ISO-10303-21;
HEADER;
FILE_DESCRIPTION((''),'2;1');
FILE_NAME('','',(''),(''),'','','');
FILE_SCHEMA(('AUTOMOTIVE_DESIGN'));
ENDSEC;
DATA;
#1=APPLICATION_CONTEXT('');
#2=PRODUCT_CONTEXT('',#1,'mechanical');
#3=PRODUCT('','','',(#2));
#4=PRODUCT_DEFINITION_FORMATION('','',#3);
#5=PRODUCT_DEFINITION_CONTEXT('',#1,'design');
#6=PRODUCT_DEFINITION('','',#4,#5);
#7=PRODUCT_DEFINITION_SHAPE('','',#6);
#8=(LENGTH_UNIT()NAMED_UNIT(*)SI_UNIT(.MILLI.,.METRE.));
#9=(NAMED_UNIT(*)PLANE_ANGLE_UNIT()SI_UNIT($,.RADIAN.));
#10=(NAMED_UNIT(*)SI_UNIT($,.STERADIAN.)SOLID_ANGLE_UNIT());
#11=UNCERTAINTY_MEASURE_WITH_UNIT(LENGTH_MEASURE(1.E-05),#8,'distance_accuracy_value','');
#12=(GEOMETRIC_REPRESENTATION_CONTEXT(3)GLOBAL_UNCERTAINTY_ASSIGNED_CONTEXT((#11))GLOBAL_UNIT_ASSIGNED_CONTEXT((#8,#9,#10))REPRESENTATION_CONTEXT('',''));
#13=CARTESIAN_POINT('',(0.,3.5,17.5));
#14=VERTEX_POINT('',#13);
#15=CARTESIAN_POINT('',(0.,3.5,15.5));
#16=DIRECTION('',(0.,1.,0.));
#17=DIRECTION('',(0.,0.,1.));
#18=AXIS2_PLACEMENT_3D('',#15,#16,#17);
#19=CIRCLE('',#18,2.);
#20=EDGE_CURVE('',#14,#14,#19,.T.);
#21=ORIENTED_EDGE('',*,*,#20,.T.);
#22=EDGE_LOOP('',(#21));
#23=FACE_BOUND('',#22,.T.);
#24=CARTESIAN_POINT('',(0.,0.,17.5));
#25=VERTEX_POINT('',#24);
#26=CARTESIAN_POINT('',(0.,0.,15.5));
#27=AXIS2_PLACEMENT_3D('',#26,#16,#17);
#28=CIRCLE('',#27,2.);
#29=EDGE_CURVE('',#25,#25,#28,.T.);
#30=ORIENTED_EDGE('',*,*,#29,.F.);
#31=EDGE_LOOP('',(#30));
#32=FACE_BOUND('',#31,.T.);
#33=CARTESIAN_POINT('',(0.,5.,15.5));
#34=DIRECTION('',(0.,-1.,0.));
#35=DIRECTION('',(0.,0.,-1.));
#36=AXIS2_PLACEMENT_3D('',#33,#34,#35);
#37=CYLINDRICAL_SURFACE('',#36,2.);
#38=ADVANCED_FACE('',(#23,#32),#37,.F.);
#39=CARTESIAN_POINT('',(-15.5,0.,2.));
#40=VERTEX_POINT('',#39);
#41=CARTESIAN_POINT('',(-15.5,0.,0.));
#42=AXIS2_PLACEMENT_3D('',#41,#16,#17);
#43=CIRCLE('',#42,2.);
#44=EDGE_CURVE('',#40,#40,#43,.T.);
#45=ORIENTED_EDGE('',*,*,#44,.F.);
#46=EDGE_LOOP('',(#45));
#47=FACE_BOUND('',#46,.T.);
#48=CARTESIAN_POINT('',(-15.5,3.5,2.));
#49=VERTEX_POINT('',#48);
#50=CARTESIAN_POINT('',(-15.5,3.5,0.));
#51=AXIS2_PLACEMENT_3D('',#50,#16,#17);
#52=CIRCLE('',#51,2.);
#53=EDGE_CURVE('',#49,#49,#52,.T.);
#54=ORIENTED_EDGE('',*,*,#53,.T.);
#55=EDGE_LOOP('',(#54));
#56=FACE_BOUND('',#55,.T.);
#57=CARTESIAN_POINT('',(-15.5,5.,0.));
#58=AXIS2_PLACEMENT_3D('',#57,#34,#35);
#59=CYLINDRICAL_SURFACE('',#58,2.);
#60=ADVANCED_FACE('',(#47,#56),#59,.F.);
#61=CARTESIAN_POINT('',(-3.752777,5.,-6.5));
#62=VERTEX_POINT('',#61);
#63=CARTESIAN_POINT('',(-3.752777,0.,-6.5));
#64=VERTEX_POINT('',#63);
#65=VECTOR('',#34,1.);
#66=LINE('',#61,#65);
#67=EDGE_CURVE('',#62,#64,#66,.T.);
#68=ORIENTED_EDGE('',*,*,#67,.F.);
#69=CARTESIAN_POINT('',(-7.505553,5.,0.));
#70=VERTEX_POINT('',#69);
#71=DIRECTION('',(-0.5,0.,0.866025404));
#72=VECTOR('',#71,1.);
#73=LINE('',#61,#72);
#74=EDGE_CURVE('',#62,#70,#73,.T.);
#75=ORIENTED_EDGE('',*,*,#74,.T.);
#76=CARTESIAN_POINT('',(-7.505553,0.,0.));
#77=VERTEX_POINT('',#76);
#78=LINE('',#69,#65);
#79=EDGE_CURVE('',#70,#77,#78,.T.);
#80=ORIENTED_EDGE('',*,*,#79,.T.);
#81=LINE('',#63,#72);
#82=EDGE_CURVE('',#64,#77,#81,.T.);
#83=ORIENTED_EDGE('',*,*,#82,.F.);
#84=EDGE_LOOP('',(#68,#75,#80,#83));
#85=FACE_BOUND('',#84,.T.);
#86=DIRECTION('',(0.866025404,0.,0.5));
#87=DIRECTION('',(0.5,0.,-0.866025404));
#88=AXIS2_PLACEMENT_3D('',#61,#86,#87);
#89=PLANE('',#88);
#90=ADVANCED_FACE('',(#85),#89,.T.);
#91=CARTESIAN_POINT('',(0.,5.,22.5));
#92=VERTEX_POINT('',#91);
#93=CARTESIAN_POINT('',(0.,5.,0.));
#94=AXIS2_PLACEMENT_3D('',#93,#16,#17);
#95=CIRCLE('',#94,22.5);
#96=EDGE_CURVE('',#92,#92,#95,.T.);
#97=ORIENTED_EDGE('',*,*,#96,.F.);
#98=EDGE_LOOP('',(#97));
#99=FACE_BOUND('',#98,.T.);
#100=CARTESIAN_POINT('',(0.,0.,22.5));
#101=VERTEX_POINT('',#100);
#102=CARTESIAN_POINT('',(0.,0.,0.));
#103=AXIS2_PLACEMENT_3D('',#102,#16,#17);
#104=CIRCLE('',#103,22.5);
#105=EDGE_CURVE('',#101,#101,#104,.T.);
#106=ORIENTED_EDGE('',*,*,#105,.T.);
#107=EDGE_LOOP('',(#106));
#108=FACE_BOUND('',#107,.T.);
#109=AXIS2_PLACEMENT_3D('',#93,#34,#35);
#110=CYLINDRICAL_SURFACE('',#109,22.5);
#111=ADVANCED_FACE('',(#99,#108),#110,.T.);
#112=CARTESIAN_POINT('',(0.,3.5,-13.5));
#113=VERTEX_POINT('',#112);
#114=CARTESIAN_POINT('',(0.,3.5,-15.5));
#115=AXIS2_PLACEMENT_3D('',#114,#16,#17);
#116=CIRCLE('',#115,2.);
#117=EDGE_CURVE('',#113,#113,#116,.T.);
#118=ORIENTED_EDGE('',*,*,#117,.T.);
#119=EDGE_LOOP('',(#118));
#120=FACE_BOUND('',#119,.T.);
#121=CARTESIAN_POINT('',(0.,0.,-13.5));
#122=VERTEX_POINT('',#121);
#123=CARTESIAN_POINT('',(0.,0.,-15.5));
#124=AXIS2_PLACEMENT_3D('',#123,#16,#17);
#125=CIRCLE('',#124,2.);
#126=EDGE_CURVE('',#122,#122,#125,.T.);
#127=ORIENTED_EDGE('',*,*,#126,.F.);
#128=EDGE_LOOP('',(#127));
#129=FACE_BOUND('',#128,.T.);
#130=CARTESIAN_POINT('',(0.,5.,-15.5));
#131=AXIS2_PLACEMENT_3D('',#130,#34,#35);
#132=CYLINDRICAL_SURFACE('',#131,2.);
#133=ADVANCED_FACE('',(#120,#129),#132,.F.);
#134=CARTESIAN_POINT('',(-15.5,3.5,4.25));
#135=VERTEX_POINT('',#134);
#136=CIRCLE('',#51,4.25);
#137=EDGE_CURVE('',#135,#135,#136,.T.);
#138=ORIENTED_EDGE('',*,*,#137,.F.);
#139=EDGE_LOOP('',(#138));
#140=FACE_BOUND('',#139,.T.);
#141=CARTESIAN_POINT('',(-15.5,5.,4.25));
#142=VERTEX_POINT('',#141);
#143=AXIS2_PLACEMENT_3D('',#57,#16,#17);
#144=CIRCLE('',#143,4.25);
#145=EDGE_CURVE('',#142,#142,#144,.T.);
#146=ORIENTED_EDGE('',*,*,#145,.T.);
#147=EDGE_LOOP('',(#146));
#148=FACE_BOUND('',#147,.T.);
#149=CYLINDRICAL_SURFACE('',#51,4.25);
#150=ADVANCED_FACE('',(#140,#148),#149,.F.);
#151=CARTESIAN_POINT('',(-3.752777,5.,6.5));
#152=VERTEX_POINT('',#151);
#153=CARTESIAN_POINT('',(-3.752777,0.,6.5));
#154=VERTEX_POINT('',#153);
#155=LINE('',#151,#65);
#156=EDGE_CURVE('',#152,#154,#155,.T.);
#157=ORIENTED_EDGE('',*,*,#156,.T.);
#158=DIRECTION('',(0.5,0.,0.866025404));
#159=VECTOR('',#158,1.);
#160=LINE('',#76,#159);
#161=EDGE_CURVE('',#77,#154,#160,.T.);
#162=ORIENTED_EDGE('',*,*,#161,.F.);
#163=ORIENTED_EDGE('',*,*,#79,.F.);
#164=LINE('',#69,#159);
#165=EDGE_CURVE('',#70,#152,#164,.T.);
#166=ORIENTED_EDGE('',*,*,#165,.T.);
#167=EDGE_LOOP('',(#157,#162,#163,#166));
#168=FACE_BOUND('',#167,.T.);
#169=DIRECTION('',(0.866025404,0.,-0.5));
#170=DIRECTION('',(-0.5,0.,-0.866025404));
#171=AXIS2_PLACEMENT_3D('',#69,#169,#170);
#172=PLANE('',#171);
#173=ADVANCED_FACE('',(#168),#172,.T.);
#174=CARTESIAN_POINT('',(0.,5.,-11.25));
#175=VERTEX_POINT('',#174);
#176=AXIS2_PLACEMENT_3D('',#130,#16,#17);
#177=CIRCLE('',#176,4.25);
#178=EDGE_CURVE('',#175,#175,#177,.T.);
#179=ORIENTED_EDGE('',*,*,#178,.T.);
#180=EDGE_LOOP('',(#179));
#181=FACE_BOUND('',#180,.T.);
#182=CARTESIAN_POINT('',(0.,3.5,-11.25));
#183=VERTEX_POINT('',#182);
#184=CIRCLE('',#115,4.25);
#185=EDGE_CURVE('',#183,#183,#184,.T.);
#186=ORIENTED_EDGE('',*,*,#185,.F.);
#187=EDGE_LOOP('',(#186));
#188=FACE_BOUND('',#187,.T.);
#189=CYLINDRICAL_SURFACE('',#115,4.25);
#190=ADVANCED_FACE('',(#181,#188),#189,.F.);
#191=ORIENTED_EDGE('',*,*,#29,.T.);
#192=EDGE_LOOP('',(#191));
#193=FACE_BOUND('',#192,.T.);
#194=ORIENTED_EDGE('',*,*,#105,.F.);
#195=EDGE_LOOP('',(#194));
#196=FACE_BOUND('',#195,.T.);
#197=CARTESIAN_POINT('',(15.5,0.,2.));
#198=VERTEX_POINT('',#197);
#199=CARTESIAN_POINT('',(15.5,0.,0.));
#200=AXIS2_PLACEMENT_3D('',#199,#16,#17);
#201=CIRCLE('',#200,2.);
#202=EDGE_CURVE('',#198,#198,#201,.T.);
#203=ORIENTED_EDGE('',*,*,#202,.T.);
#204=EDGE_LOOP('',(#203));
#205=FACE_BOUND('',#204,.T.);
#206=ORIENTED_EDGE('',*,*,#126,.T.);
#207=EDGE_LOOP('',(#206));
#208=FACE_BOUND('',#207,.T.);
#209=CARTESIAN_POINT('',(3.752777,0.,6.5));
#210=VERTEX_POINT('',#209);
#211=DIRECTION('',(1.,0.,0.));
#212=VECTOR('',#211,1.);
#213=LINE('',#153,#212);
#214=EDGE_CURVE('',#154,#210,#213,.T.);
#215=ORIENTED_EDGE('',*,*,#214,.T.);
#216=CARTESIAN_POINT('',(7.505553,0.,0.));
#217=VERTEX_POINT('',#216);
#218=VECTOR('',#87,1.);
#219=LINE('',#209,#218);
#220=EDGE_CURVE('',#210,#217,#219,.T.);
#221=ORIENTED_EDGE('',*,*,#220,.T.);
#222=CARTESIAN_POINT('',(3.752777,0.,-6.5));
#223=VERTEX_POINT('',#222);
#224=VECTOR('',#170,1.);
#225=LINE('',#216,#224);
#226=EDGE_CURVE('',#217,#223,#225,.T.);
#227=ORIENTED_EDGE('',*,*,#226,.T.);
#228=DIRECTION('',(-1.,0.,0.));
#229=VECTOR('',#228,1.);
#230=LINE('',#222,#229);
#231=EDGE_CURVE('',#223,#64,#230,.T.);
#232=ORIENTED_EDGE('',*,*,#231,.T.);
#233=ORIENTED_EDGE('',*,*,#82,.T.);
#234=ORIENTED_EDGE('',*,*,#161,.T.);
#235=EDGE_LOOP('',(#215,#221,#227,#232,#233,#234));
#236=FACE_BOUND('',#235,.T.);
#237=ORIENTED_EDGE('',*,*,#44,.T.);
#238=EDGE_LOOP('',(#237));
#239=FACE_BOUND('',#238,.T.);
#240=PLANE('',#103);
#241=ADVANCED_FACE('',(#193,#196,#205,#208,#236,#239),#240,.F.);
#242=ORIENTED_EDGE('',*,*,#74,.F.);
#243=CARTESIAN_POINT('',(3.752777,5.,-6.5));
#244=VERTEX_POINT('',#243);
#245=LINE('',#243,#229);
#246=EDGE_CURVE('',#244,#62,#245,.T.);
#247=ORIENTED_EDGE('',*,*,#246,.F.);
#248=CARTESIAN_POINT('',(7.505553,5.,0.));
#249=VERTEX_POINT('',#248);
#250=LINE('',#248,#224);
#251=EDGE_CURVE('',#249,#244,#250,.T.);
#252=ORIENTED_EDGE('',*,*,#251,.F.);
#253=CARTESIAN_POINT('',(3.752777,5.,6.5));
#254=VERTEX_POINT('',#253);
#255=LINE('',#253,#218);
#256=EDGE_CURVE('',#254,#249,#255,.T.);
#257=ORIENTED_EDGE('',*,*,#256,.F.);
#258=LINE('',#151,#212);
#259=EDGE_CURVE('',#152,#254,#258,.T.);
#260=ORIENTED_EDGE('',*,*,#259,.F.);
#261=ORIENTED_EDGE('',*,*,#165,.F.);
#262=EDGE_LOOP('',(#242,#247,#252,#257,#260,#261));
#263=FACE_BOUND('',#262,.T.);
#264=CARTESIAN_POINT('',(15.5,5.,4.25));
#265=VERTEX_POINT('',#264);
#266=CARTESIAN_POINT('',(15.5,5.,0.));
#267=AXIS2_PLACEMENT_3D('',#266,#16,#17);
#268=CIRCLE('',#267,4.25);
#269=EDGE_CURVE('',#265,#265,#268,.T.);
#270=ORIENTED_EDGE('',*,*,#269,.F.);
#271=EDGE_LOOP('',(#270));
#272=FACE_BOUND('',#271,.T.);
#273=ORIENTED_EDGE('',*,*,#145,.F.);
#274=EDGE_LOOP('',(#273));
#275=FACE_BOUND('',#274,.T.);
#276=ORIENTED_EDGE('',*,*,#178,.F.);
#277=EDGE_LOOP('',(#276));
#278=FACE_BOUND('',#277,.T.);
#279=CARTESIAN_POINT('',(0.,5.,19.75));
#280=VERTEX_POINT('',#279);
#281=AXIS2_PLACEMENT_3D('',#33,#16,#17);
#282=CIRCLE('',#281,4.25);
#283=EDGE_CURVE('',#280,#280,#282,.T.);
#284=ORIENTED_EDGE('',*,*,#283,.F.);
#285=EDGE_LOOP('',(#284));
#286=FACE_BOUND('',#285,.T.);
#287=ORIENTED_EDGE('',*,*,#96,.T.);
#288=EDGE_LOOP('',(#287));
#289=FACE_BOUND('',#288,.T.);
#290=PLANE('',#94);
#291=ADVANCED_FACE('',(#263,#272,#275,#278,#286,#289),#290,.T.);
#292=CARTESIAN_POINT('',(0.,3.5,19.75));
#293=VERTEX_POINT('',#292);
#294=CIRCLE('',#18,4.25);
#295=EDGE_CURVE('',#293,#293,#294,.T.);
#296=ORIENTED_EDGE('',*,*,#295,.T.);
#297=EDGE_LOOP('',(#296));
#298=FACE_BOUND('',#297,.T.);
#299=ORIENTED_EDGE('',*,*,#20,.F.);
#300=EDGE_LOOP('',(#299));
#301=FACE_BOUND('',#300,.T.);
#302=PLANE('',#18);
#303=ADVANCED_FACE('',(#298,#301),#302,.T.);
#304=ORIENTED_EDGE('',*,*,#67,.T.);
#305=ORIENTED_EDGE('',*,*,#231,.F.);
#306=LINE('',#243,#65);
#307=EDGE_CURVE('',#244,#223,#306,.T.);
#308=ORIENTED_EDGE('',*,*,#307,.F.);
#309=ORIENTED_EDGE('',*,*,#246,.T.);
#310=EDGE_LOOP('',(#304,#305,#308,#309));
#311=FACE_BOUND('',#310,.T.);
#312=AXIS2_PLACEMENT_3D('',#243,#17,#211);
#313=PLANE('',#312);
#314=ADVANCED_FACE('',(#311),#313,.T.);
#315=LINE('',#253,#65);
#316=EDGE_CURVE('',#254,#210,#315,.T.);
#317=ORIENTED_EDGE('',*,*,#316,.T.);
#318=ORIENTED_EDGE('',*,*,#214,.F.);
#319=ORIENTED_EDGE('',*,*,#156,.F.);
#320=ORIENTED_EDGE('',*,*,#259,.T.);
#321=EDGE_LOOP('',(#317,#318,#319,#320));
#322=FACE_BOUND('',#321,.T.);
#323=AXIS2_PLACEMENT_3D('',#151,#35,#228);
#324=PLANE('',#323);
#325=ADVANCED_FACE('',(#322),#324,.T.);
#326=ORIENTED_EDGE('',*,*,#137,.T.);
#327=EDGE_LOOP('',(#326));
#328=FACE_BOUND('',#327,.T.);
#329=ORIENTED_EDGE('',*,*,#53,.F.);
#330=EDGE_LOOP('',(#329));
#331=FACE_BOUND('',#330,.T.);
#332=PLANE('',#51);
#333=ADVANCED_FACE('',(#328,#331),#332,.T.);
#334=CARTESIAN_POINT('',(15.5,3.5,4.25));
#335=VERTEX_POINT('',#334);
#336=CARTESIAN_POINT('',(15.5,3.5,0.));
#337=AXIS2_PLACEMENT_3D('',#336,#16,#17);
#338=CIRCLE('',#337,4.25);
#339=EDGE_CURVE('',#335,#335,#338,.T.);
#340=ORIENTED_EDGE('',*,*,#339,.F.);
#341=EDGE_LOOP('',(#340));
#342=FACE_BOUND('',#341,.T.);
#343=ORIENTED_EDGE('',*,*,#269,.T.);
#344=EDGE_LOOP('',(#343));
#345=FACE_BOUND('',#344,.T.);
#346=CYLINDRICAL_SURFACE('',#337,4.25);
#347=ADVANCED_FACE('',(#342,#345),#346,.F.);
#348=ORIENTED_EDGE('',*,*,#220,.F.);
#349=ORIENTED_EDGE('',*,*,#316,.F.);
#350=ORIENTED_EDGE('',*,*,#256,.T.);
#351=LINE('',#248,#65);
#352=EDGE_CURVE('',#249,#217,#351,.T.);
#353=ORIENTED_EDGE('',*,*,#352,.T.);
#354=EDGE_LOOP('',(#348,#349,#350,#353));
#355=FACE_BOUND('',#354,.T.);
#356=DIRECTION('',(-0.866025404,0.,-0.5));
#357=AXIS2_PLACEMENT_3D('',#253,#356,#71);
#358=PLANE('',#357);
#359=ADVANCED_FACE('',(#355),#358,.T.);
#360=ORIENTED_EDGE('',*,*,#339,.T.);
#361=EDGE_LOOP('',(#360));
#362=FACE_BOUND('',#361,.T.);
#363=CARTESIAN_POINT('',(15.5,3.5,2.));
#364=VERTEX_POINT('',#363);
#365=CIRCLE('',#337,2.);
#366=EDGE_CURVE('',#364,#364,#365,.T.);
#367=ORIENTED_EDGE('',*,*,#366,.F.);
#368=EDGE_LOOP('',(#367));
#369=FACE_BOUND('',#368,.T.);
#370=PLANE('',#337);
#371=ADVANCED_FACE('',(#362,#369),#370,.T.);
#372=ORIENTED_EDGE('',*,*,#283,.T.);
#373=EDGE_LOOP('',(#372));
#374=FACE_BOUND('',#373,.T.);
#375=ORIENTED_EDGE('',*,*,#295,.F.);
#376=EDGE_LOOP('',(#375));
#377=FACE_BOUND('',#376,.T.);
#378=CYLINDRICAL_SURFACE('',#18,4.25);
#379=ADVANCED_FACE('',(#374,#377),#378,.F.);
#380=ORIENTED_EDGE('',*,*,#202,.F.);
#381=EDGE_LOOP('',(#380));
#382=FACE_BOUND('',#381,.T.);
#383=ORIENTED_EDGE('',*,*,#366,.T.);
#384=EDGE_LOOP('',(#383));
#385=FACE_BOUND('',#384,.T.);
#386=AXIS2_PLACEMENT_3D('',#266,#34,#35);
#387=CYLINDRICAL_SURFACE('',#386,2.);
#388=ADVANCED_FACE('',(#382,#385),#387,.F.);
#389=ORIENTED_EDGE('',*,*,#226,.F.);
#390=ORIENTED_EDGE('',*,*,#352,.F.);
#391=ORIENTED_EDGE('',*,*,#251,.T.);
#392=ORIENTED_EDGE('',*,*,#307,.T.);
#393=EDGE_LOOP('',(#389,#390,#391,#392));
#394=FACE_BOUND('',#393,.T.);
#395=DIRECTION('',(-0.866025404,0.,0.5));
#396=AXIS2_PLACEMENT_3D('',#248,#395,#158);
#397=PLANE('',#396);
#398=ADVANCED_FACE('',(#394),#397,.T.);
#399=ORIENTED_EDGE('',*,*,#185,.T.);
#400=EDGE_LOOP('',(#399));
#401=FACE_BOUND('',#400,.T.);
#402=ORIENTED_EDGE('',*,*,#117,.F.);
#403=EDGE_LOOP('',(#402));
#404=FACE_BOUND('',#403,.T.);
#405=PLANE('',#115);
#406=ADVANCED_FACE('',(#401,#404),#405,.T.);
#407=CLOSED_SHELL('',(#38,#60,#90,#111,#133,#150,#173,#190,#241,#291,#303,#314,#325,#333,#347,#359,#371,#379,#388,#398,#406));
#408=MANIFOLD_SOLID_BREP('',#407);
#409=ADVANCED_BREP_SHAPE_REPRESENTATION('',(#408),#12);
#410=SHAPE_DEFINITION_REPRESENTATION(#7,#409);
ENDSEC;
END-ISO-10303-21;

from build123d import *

# Parameters (mm, degrees)
SKETCH1_R           = 22.5
SKETCH1_R_2         = 2
BOSS_EXTRUDE1_DEPTH = 5
SKETCH2_R           = 4.25
CUT_EXTRUDE1_DEPTH  = 1.5


with BuildPart() as part:
    # Sketch1 → Boss-Extrude1 (new body)
    with BuildSketch(Plane(origin=(0, 0, 0), x_dir=(1, 0, 0), z_dir=(0, 1, 0))):
        with Locations(Location((0, 0, 0), (0, 0, 270))):
            Circle(SKETCH1_R)
        with Locations(Location((0, 15.5, 0), (0, 0, 270))):
            Circle(SKETCH1_R_2, mode=Mode.SUBTRACT)
        with Locations(Location((15.5, 0, 0), (0, 0, 270))):
            Circle(SKETCH1_R_2, mode=Mode.SUBTRACT)
        with Locations(Location((0, -15.5, 0), (0, 0, 270))):
            Circle(SKETCH1_R_2, mode=Mode.SUBTRACT)
        with Locations(Location((-15.5, 0, 0), (0, 0, 270))):
            Circle(SKETCH1_R_2, mode=Mode.SUBTRACT)
        Polygon((7.505553499, 0), (3.75277675, 6.5), (-3.75277675, 6.5), (-7.505553499, 0), (-3.75277675, -6.5), (3.75277675, -6.5), align=None, mode=Mode.SUBTRACT)
    extrude(amount=BOSS_EXTRUDE1_DEPTH)

    # Sketch2 → Cut-Extrude1 (cut)
    with BuildSketch(Plane(origin=(0, 5, 0), x_dir=(1, 0, 0), z_dir=(0, 1, 0))):
        with Locations(Location((0, 15.5, 0), (0, 0, 270))):
            Circle(SKETCH2_R)
        with Locations(Location((15.5, 0, 0), (0, 0, 270))):
            Circle(SKETCH2_R)
        with Locations(Location((0, -15.5, 0), (0, 0, 270))):
            Circle(SKETCH2_R)
        with Locations(Location((-15.5, 0, 0), (0, 0, 270))):
            Circle(SKETCH2_R)
    extrude(amount=-CUT_EXTRUDE1_DEPTH, mode=Mode.SUBTRACT)


solid = part.part
